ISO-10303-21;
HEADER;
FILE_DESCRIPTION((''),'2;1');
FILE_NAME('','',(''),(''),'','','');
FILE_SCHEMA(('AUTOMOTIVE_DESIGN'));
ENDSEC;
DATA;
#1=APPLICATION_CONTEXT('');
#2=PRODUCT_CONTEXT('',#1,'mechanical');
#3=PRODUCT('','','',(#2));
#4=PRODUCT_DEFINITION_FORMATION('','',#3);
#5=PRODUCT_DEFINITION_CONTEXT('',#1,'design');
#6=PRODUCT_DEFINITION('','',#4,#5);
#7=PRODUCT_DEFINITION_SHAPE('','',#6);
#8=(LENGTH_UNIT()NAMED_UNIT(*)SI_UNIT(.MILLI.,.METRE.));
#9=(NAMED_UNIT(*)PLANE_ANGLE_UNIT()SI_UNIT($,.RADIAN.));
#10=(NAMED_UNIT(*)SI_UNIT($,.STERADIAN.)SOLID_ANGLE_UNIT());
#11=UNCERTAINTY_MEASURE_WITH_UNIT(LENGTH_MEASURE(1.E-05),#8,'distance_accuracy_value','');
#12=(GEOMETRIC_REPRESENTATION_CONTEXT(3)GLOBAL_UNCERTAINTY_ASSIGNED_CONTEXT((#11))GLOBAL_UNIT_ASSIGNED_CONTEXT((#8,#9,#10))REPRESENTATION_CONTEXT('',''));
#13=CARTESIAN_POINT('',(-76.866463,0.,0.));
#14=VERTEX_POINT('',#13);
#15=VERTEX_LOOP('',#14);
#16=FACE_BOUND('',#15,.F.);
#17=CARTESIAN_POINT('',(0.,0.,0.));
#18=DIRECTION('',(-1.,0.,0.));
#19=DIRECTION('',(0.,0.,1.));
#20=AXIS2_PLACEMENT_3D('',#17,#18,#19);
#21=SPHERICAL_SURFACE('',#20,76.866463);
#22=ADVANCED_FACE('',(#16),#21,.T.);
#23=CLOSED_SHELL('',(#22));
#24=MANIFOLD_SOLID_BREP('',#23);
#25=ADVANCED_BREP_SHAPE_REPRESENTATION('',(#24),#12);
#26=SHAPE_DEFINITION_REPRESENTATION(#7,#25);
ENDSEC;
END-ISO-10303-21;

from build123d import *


with BuildPart() as f1:
    # F0 (on Front) → F1 (revolve)
    with BuildSketch(Plane.XZ):
        with BuildLine():
            Line((-76.8664628267, 0), (76.8664628267, 0))
            ThreePointArc((76.8664628267, 0), (0, 76.8664628267), (-76.8664628267, 0))
        make_face()
    revolve(axis=Axis((0, 0, 0), (1, 0, 0)))

    # F0 (on Front) → F2 (revolve)
    with BuildSketch(Plane.XZ):
        with BuildLine():
            Line((-76.8664628267, 0), (76.8664628267, 0))
            ThreePointArc((76.8664628267, 0), (0, 76.8664628267), (-76.8664628267, 0))
        make_face()
    revolve(axis=Axis((0, 0, 0), (1, 0, 0)))


solid = f1.part
